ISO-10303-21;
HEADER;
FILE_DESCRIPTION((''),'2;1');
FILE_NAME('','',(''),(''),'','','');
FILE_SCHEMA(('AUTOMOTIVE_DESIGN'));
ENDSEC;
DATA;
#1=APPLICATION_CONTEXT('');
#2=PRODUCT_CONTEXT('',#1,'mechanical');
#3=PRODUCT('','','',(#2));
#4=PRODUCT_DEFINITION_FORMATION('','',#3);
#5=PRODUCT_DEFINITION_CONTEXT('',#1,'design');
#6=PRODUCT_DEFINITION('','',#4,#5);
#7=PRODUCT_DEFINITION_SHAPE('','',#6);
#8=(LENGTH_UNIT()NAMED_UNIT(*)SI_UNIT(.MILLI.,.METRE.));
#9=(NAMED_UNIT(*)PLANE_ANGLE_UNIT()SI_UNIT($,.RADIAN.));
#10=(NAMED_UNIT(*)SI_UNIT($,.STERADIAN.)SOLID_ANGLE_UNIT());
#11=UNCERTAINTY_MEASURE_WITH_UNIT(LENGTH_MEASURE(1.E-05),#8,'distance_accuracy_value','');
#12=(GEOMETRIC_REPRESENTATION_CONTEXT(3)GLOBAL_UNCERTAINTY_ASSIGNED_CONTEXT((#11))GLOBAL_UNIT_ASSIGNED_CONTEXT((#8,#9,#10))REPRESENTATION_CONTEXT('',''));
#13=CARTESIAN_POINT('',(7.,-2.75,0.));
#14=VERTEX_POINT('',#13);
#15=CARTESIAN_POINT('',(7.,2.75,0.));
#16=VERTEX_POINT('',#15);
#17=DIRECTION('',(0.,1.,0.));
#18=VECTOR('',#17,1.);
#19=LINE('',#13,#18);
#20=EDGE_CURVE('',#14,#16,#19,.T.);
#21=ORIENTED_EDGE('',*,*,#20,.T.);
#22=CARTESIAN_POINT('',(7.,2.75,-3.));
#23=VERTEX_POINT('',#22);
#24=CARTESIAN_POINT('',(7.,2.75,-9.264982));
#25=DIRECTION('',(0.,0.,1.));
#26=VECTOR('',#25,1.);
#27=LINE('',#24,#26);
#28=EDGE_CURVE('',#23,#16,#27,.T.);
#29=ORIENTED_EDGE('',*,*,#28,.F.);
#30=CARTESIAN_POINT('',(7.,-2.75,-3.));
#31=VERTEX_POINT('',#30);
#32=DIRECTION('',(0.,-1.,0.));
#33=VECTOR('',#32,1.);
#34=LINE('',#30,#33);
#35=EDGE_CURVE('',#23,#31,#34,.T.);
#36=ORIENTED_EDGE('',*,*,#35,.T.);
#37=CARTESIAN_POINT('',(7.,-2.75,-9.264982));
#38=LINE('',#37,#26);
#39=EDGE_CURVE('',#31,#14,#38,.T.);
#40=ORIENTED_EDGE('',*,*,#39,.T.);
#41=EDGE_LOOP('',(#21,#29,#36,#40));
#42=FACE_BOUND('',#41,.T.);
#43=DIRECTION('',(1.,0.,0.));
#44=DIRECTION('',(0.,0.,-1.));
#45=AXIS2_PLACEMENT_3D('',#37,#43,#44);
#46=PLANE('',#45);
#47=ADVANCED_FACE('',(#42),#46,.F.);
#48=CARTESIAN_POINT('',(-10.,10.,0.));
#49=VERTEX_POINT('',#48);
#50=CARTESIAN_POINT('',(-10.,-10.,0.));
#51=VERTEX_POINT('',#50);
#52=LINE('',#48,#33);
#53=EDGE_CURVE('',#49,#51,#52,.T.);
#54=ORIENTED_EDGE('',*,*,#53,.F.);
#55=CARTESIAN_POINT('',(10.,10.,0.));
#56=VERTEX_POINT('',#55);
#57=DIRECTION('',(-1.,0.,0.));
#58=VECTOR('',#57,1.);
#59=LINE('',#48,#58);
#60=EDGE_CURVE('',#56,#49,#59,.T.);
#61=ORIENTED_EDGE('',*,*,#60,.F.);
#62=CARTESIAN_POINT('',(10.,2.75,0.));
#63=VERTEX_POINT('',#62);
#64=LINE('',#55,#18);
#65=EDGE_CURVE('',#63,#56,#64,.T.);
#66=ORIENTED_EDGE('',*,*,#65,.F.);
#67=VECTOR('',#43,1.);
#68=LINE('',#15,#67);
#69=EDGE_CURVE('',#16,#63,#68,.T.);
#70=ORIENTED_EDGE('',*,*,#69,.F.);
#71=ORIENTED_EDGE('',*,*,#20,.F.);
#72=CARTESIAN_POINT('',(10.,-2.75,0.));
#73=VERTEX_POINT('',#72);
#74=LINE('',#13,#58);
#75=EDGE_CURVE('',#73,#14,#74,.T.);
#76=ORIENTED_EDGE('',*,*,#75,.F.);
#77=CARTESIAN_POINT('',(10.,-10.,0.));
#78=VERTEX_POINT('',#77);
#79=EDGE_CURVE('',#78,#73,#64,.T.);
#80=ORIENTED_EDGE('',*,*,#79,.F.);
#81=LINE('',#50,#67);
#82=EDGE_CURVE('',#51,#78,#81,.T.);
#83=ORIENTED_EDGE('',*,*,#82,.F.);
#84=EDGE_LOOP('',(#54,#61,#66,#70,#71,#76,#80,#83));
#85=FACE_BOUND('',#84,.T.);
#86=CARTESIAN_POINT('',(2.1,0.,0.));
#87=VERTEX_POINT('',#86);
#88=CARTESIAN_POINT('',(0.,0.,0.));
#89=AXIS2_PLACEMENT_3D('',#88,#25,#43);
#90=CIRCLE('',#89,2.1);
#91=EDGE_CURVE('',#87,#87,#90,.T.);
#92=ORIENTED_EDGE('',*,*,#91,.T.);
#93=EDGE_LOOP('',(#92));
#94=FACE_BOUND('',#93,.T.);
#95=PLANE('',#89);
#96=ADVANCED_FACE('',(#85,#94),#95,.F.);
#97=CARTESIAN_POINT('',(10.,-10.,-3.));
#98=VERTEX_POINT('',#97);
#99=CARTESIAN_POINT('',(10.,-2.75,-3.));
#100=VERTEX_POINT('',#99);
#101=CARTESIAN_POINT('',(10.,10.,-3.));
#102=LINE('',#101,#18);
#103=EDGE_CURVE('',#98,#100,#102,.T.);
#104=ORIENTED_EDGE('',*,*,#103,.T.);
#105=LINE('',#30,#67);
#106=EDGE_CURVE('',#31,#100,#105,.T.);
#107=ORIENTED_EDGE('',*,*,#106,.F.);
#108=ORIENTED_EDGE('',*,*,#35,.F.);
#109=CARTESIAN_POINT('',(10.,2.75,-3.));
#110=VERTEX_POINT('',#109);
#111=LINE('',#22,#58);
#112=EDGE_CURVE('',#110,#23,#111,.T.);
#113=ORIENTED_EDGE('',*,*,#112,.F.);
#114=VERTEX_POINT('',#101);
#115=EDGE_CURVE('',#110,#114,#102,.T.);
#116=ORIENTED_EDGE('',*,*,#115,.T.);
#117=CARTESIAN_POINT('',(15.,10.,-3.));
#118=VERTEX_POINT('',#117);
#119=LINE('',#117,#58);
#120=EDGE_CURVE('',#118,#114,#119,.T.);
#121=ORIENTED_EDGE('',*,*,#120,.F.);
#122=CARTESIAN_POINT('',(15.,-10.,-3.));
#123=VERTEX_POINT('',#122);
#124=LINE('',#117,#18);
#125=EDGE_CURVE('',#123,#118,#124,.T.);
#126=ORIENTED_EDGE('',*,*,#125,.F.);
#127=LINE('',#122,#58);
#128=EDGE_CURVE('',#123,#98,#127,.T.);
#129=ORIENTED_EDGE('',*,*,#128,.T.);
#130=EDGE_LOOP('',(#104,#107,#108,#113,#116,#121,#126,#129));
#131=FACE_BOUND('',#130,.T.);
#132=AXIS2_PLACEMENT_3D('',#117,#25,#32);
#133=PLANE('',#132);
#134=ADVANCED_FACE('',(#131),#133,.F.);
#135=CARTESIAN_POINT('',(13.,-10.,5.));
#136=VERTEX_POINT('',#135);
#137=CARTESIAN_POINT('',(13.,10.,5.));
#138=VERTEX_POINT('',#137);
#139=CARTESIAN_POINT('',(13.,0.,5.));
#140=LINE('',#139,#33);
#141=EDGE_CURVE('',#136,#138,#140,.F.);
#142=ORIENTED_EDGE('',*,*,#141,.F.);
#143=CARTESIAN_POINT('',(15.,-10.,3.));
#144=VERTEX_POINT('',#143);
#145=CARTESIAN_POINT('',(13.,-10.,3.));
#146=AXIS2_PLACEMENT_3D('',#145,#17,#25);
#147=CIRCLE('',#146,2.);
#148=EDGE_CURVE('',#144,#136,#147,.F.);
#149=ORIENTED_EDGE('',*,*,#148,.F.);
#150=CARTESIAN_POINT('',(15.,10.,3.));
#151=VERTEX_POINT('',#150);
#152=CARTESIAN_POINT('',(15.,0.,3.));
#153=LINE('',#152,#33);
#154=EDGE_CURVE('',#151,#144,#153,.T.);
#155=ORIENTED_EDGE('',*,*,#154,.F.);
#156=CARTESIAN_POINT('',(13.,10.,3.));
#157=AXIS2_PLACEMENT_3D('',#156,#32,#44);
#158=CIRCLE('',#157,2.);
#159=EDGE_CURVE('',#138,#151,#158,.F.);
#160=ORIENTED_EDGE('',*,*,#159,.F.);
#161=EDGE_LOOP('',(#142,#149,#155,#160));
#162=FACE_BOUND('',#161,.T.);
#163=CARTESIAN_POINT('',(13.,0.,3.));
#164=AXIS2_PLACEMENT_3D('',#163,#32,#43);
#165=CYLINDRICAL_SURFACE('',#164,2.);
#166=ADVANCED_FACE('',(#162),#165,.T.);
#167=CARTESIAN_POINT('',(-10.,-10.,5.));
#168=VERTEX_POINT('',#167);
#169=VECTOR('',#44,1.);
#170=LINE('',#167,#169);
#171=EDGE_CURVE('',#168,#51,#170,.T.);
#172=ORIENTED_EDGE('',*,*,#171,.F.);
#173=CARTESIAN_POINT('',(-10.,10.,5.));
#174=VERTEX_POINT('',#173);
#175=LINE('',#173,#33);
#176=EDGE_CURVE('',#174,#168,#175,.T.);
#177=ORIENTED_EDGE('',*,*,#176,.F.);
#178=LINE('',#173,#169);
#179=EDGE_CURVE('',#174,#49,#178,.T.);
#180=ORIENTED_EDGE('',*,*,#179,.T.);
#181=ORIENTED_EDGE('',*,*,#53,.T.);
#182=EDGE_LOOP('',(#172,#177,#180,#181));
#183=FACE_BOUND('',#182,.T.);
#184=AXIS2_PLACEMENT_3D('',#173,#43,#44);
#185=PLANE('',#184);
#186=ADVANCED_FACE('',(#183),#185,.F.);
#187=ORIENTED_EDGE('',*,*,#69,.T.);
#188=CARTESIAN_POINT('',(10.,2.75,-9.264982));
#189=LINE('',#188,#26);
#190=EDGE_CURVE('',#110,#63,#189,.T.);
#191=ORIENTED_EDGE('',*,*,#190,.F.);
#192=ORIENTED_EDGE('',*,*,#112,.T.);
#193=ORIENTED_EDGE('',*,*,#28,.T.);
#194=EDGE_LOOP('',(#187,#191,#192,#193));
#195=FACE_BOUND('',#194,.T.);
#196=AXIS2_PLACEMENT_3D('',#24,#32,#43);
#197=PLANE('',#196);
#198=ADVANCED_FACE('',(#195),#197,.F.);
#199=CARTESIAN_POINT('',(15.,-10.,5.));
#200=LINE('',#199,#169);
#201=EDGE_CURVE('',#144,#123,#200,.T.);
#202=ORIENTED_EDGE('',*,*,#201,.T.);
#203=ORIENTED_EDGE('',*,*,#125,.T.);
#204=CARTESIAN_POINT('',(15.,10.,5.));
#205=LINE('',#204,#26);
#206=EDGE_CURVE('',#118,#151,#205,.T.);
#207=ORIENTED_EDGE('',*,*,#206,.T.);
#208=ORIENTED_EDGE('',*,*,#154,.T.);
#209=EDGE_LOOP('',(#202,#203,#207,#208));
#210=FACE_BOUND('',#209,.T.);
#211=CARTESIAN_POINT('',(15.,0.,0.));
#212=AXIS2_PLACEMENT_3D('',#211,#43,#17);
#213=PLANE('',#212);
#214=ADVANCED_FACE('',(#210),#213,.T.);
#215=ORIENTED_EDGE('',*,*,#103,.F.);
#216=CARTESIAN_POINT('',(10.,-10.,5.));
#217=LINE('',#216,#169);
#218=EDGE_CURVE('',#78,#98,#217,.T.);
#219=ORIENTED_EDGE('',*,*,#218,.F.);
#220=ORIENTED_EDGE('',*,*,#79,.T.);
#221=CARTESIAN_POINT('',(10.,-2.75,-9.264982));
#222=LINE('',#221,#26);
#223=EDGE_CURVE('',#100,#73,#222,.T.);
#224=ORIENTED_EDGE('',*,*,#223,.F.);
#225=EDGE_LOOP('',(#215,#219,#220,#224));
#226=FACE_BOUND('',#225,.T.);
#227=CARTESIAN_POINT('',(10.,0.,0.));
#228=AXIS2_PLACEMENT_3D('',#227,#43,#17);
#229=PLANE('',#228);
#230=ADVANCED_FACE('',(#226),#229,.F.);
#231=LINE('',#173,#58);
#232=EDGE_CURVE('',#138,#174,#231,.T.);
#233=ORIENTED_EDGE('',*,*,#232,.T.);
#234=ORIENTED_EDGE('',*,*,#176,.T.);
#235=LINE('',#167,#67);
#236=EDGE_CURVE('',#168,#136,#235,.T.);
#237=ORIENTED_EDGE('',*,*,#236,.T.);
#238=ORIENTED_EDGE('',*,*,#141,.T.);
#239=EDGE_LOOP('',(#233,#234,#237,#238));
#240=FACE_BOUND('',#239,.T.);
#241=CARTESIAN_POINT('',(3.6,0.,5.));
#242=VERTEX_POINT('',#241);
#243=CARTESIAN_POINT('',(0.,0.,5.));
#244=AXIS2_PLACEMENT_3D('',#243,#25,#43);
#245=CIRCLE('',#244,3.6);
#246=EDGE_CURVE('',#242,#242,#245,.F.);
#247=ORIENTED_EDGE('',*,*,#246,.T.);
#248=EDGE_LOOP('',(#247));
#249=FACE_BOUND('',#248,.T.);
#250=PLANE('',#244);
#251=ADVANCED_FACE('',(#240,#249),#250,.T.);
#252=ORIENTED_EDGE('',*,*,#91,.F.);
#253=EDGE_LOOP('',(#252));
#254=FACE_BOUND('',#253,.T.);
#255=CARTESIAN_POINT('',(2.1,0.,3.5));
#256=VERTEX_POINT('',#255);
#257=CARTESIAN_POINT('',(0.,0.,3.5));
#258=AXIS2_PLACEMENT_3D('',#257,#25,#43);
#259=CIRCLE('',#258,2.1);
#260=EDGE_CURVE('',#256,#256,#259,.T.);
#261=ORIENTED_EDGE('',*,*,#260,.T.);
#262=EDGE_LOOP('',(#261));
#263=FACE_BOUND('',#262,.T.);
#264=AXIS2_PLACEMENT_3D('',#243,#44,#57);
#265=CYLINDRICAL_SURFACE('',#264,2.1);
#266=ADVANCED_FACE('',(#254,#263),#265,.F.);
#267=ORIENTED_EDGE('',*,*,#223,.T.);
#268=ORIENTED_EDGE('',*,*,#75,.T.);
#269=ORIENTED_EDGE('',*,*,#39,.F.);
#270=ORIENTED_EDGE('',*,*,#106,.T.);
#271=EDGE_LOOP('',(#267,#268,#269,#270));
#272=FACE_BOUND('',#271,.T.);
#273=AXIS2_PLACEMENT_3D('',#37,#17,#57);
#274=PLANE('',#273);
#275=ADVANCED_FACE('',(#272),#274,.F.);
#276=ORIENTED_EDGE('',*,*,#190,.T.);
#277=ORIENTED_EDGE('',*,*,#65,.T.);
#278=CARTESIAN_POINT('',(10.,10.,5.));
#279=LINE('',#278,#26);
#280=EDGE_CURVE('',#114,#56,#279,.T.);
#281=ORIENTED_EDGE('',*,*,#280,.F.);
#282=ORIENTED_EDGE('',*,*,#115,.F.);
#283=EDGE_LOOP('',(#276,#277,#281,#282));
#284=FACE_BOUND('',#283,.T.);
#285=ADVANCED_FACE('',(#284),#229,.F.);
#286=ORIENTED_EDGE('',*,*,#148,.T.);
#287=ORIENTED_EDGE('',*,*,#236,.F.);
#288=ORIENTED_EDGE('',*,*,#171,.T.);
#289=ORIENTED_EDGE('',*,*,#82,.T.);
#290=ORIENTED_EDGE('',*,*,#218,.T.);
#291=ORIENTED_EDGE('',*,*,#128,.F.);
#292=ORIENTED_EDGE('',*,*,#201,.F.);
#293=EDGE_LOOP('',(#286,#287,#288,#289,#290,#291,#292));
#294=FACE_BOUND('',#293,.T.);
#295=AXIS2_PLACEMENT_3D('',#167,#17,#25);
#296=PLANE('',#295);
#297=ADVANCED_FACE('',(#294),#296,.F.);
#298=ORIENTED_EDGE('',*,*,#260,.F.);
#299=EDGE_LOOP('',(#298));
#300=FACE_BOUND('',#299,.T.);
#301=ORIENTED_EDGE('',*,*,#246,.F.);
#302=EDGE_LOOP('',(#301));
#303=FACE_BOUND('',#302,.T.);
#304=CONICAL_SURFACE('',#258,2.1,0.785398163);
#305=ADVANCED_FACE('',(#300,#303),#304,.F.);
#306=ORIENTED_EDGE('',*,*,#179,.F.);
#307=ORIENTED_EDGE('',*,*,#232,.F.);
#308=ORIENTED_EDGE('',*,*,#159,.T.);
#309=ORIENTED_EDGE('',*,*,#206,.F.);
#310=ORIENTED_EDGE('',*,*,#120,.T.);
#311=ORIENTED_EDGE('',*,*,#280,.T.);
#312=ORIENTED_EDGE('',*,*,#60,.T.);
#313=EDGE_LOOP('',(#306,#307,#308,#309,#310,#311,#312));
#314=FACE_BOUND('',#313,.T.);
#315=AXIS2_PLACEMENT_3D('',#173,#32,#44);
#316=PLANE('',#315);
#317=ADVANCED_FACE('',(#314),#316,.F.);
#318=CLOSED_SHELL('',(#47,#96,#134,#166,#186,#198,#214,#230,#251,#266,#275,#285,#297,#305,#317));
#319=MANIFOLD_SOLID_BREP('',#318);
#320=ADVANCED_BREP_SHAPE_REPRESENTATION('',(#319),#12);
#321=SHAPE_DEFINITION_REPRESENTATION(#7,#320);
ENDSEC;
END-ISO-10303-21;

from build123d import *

# Parameters (mm, degrees)
SKETCH_2_W      = 20
SKETCH_2_H      = 20
SKETCH_2_R      = 2.1
EXTRUDE_1_DEPTH = 5
SKETCH_3_W      = 8
SKETCH_3_H      = 20
EXTRUDE_2_DEPTH = 5
FILLET_2_R      = 2
SKETCH_4_W      = 3
SKETCH_4_H      = 5.5
EXTRUDE_3_DEPTH = 3
CHAMFER_1_SIZE  = 1.5


with BuildPart() as part:
    # ｽｹｯﾁ2 → ﾎﾞｽ - 押し出し1 (new body)
    with BuildSketch(Plane.XY):
        Rectangle(SKETCH_2_W, SKETCH_2_H)
        Circle(SKETCH_2_R, mode=Mode.SUBTRACT)
    extrude(amount=EXTRUDE_1_DEPTH)

    # ｽｹｯﾁ3 → ﾎﾞｽ - 押し出し2 (add)
    with BuildSketch(Plane(origin=(10, 0, 0), x_dir=(0, 0, -1), z_dir=(1, 0, 0))):
        with Locations((-1, 0)):
            Rectangle(SKETCH_3_W, SKETCH_3_H)
    extrude(amount=EXTRUDE_2_DEPTH)

    # ﾌｨﾚｯﾄ2
    fillet_2_edges = [part.edges().sort_by_distance(p)[0] for p in [
        (15, 0, 5),
    ]]
    fillet(fillet_2_edges, radius=FILLET_2_R)

    # ｽｹｯﾁ4 → ﾎﾞｽ - 押し出し3 (add)
    with BuildSketch(Plane(origin=(0, 0, 0), x_dir=(-1, 0, 0), z_dir=(0, 0, -1))):
        with Locations((-8.5, 0)):
            Rectangle(SKETCH_4_W, SKETCH_4_H)
    extrude(amount=EXTRUDE_3_DEPTH)

    # 面取り1
    chamfer_1_edges = [part.edges().sort_by_distance(p)[0] for p in [
        (-2.1, 0, 5),
    ]]
    chamfer(chamfer_1_edges, length=CHAMFER_1_SIZE)


solid = part.part
